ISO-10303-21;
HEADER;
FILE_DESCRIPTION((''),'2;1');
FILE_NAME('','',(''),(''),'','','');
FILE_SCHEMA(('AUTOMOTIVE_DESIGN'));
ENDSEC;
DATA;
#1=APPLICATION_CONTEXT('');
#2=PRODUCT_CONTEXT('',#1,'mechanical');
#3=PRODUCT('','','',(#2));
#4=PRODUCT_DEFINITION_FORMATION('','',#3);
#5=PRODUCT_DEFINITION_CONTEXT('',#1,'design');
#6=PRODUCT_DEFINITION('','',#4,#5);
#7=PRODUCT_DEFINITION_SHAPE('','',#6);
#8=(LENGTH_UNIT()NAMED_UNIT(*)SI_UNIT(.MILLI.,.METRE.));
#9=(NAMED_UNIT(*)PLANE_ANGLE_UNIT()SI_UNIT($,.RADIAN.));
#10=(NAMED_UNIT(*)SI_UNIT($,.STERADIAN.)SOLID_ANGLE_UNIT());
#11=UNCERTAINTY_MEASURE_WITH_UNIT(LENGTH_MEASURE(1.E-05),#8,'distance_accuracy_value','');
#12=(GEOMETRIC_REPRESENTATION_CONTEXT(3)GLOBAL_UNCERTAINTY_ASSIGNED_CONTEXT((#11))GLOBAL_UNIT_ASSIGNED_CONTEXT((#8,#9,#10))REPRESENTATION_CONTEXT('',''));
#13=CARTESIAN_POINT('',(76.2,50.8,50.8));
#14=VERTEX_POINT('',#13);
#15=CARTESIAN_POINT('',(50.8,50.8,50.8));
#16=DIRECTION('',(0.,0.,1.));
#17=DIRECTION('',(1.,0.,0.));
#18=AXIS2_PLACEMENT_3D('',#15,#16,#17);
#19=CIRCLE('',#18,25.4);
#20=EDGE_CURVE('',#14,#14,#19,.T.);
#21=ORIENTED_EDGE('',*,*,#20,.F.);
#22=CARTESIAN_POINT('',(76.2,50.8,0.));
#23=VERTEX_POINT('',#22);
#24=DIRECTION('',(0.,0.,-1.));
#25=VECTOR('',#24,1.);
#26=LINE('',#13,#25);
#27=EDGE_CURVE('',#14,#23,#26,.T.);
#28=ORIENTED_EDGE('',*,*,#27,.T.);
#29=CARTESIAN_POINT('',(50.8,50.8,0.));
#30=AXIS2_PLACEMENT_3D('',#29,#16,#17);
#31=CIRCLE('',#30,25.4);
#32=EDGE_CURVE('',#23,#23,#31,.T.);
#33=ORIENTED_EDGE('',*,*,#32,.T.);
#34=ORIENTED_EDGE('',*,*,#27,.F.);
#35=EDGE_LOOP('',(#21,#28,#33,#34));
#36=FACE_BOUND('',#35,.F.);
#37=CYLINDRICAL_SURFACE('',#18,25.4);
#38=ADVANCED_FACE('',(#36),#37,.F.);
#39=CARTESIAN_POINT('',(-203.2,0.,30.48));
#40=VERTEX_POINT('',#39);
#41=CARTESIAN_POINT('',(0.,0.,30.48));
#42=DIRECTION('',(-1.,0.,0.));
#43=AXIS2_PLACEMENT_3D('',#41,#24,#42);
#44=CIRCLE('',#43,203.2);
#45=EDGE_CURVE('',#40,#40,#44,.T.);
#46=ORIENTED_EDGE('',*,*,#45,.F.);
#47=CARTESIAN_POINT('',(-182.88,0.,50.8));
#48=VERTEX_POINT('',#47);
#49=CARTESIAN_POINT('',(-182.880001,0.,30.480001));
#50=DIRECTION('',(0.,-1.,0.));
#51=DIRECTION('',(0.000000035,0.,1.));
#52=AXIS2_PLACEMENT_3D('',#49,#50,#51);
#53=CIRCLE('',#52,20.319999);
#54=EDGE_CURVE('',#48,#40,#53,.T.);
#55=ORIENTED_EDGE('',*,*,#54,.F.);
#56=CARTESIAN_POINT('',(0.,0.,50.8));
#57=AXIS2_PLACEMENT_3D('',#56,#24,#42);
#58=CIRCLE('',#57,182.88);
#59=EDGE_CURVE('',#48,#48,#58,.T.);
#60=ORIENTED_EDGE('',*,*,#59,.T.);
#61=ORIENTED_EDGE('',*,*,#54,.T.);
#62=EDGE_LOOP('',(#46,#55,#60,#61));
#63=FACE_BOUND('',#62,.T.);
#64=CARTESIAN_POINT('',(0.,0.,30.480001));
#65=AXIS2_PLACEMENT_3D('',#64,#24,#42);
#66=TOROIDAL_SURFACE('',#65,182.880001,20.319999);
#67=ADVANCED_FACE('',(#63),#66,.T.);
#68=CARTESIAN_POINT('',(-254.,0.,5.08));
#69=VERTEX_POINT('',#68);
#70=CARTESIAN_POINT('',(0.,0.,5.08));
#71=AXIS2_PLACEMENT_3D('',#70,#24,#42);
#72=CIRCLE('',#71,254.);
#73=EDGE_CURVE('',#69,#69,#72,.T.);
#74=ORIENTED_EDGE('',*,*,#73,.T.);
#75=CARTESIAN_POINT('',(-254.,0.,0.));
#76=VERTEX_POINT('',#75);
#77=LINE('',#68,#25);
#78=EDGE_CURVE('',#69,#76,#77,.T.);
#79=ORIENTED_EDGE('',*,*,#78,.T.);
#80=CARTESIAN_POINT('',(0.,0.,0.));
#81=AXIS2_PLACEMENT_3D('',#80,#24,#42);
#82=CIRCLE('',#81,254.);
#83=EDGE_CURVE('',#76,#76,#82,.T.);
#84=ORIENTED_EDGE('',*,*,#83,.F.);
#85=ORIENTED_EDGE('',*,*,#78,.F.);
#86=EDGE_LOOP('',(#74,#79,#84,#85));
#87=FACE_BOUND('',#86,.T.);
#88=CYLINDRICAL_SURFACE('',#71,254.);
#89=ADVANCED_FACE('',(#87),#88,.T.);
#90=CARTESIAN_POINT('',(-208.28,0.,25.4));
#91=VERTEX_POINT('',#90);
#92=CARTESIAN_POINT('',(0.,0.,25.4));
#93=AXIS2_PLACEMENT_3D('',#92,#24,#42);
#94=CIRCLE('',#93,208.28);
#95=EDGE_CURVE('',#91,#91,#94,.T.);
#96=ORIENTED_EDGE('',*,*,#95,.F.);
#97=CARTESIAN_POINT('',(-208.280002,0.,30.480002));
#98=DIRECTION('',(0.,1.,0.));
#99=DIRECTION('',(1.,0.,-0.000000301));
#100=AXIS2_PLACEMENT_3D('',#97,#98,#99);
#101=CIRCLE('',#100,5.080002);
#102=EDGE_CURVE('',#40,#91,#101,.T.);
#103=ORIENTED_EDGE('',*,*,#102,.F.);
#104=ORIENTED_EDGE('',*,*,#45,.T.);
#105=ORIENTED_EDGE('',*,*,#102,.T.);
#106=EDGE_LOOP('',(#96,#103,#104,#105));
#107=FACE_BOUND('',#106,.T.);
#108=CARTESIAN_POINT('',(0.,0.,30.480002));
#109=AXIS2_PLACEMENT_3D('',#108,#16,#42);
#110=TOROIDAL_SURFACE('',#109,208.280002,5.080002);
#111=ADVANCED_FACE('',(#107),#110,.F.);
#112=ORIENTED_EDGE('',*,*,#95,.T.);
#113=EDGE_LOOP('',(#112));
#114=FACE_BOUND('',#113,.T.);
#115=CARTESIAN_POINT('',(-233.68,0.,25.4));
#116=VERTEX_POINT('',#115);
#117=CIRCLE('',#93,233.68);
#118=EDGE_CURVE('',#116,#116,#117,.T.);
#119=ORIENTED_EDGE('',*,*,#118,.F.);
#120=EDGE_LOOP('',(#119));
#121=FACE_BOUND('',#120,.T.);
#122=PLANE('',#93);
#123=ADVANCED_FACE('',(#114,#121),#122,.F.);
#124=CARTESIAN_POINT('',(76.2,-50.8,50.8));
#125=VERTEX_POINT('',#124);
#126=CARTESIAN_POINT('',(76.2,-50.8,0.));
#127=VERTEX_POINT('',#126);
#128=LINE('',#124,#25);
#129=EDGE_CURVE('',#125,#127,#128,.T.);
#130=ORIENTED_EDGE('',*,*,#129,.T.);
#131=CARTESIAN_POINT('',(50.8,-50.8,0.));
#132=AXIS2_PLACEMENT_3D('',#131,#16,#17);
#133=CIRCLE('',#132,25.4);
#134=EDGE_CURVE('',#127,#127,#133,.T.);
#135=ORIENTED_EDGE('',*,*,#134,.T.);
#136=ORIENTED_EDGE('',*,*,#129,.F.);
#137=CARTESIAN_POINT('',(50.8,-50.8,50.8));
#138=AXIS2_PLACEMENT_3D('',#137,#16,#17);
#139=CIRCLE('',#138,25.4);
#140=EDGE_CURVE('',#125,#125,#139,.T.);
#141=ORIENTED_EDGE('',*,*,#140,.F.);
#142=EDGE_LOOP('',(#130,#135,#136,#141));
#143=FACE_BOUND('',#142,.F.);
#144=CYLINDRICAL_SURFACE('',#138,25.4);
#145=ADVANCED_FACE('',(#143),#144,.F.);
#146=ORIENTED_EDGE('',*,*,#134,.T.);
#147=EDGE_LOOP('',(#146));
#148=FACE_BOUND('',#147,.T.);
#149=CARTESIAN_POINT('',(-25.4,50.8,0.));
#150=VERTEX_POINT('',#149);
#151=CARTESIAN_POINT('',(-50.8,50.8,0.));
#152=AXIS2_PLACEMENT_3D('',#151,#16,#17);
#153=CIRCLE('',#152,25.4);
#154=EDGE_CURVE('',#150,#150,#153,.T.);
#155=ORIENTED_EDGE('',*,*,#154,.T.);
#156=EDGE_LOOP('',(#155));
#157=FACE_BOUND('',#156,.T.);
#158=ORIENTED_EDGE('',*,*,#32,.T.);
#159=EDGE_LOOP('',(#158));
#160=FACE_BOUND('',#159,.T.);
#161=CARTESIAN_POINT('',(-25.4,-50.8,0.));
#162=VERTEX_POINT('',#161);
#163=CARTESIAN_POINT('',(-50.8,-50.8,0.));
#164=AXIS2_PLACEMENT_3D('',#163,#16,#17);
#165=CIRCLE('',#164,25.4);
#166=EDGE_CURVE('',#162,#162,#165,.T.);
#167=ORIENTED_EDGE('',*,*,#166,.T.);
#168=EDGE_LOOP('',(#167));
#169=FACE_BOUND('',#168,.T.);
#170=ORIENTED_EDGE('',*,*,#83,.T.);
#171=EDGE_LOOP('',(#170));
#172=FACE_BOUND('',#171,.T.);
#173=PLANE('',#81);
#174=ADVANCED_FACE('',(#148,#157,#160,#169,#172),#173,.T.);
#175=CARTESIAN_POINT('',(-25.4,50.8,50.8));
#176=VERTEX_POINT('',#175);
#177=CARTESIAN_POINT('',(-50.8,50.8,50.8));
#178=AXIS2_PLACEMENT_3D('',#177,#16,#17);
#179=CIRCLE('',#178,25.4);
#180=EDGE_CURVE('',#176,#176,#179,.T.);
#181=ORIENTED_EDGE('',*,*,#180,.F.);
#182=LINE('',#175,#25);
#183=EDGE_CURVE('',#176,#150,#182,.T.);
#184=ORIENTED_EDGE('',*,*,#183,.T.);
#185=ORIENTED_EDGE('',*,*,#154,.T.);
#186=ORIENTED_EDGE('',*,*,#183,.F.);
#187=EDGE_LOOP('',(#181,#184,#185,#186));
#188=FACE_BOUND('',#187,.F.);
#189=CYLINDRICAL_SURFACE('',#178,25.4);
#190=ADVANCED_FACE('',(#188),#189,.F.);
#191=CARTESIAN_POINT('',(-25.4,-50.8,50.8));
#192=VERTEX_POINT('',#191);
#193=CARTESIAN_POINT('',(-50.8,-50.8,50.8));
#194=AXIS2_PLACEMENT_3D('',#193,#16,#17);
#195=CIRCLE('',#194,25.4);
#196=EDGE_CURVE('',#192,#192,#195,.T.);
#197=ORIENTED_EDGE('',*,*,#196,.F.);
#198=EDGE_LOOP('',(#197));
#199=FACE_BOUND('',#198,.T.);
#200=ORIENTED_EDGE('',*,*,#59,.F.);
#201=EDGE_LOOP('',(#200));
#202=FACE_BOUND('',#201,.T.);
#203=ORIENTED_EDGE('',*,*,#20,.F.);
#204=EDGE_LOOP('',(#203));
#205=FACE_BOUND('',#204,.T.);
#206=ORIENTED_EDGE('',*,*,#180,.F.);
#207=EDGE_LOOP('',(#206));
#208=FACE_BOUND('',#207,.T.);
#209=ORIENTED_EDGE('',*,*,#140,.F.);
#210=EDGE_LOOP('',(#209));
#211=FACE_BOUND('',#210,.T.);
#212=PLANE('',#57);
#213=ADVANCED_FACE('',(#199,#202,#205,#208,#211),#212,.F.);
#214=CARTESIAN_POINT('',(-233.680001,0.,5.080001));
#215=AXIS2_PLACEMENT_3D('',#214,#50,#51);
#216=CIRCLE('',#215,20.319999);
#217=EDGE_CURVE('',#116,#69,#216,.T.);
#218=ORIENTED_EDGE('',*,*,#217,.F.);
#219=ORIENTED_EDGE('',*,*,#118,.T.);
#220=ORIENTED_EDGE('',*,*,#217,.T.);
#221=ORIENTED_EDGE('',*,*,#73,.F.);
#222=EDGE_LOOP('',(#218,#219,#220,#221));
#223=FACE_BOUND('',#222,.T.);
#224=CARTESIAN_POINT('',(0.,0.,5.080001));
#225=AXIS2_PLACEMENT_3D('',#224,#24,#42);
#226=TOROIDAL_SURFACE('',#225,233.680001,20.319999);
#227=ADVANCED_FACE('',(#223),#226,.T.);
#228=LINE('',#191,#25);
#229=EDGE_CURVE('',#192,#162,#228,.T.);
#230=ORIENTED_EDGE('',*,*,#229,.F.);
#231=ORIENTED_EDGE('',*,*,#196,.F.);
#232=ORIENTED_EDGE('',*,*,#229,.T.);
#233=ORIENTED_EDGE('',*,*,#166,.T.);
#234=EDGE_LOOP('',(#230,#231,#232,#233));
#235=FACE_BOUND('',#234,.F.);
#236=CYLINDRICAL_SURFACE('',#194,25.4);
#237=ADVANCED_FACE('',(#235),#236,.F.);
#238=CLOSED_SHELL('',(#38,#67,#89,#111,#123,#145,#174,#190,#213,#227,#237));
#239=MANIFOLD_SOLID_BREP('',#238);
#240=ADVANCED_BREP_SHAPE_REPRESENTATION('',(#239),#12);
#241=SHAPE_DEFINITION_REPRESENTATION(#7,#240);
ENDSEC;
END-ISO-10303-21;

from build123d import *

# Parameters (mm, degrees)
F2_R     = 25.4
F3_DEPTH = 50.8


with BuildPart() as f1:
    # F0 (on Front) → F1 (revolve)
    with BuildSketch(Plane.XZ):
        with BuildLine():
            Line((-254, 0), (0, 0))
            Line((0, 0), (0, 50.8))
            Line((0, 50.8), (-182.88, 50.8))
            ThreePointArc((-182.88, 50.8), (-197.24841, 44.84841), (-203.2, 30.48))
            ThreePointArc((-203.2, 30.48), (-204.687898, 26.887898), (-208.28, 25.4))
            Line((-208.28, 25.4), (-233.68, 25.4))
            ThreePointArc((-233.68, 25.4), (-248.04841, 19.44841), (-254, 5.08))
            Line((-254, 5.08), (-254, 0))
        make_face()
    revolve(axis=Axis((0, 0, 25.4), (0, 0, -1)))

    # F2 (on face) → F3 (cut)
    with BuildSketch(Plane.XY.offset(50.8)):
        with Locations((-50.8, 50.8)):
            Circle(F2_R)
        with Locations((50.8, 50.8)):
            Circle(F2_R)
        with Locations((-50.8, -50.8)):
            Circle(F2_R)
        with Locations((50.8, -50.8)):
            Circle(F2_R)
    extrude(amount=-F3_DEPTH, mode=Mode.SUBTRACT)


solid = f1.part
